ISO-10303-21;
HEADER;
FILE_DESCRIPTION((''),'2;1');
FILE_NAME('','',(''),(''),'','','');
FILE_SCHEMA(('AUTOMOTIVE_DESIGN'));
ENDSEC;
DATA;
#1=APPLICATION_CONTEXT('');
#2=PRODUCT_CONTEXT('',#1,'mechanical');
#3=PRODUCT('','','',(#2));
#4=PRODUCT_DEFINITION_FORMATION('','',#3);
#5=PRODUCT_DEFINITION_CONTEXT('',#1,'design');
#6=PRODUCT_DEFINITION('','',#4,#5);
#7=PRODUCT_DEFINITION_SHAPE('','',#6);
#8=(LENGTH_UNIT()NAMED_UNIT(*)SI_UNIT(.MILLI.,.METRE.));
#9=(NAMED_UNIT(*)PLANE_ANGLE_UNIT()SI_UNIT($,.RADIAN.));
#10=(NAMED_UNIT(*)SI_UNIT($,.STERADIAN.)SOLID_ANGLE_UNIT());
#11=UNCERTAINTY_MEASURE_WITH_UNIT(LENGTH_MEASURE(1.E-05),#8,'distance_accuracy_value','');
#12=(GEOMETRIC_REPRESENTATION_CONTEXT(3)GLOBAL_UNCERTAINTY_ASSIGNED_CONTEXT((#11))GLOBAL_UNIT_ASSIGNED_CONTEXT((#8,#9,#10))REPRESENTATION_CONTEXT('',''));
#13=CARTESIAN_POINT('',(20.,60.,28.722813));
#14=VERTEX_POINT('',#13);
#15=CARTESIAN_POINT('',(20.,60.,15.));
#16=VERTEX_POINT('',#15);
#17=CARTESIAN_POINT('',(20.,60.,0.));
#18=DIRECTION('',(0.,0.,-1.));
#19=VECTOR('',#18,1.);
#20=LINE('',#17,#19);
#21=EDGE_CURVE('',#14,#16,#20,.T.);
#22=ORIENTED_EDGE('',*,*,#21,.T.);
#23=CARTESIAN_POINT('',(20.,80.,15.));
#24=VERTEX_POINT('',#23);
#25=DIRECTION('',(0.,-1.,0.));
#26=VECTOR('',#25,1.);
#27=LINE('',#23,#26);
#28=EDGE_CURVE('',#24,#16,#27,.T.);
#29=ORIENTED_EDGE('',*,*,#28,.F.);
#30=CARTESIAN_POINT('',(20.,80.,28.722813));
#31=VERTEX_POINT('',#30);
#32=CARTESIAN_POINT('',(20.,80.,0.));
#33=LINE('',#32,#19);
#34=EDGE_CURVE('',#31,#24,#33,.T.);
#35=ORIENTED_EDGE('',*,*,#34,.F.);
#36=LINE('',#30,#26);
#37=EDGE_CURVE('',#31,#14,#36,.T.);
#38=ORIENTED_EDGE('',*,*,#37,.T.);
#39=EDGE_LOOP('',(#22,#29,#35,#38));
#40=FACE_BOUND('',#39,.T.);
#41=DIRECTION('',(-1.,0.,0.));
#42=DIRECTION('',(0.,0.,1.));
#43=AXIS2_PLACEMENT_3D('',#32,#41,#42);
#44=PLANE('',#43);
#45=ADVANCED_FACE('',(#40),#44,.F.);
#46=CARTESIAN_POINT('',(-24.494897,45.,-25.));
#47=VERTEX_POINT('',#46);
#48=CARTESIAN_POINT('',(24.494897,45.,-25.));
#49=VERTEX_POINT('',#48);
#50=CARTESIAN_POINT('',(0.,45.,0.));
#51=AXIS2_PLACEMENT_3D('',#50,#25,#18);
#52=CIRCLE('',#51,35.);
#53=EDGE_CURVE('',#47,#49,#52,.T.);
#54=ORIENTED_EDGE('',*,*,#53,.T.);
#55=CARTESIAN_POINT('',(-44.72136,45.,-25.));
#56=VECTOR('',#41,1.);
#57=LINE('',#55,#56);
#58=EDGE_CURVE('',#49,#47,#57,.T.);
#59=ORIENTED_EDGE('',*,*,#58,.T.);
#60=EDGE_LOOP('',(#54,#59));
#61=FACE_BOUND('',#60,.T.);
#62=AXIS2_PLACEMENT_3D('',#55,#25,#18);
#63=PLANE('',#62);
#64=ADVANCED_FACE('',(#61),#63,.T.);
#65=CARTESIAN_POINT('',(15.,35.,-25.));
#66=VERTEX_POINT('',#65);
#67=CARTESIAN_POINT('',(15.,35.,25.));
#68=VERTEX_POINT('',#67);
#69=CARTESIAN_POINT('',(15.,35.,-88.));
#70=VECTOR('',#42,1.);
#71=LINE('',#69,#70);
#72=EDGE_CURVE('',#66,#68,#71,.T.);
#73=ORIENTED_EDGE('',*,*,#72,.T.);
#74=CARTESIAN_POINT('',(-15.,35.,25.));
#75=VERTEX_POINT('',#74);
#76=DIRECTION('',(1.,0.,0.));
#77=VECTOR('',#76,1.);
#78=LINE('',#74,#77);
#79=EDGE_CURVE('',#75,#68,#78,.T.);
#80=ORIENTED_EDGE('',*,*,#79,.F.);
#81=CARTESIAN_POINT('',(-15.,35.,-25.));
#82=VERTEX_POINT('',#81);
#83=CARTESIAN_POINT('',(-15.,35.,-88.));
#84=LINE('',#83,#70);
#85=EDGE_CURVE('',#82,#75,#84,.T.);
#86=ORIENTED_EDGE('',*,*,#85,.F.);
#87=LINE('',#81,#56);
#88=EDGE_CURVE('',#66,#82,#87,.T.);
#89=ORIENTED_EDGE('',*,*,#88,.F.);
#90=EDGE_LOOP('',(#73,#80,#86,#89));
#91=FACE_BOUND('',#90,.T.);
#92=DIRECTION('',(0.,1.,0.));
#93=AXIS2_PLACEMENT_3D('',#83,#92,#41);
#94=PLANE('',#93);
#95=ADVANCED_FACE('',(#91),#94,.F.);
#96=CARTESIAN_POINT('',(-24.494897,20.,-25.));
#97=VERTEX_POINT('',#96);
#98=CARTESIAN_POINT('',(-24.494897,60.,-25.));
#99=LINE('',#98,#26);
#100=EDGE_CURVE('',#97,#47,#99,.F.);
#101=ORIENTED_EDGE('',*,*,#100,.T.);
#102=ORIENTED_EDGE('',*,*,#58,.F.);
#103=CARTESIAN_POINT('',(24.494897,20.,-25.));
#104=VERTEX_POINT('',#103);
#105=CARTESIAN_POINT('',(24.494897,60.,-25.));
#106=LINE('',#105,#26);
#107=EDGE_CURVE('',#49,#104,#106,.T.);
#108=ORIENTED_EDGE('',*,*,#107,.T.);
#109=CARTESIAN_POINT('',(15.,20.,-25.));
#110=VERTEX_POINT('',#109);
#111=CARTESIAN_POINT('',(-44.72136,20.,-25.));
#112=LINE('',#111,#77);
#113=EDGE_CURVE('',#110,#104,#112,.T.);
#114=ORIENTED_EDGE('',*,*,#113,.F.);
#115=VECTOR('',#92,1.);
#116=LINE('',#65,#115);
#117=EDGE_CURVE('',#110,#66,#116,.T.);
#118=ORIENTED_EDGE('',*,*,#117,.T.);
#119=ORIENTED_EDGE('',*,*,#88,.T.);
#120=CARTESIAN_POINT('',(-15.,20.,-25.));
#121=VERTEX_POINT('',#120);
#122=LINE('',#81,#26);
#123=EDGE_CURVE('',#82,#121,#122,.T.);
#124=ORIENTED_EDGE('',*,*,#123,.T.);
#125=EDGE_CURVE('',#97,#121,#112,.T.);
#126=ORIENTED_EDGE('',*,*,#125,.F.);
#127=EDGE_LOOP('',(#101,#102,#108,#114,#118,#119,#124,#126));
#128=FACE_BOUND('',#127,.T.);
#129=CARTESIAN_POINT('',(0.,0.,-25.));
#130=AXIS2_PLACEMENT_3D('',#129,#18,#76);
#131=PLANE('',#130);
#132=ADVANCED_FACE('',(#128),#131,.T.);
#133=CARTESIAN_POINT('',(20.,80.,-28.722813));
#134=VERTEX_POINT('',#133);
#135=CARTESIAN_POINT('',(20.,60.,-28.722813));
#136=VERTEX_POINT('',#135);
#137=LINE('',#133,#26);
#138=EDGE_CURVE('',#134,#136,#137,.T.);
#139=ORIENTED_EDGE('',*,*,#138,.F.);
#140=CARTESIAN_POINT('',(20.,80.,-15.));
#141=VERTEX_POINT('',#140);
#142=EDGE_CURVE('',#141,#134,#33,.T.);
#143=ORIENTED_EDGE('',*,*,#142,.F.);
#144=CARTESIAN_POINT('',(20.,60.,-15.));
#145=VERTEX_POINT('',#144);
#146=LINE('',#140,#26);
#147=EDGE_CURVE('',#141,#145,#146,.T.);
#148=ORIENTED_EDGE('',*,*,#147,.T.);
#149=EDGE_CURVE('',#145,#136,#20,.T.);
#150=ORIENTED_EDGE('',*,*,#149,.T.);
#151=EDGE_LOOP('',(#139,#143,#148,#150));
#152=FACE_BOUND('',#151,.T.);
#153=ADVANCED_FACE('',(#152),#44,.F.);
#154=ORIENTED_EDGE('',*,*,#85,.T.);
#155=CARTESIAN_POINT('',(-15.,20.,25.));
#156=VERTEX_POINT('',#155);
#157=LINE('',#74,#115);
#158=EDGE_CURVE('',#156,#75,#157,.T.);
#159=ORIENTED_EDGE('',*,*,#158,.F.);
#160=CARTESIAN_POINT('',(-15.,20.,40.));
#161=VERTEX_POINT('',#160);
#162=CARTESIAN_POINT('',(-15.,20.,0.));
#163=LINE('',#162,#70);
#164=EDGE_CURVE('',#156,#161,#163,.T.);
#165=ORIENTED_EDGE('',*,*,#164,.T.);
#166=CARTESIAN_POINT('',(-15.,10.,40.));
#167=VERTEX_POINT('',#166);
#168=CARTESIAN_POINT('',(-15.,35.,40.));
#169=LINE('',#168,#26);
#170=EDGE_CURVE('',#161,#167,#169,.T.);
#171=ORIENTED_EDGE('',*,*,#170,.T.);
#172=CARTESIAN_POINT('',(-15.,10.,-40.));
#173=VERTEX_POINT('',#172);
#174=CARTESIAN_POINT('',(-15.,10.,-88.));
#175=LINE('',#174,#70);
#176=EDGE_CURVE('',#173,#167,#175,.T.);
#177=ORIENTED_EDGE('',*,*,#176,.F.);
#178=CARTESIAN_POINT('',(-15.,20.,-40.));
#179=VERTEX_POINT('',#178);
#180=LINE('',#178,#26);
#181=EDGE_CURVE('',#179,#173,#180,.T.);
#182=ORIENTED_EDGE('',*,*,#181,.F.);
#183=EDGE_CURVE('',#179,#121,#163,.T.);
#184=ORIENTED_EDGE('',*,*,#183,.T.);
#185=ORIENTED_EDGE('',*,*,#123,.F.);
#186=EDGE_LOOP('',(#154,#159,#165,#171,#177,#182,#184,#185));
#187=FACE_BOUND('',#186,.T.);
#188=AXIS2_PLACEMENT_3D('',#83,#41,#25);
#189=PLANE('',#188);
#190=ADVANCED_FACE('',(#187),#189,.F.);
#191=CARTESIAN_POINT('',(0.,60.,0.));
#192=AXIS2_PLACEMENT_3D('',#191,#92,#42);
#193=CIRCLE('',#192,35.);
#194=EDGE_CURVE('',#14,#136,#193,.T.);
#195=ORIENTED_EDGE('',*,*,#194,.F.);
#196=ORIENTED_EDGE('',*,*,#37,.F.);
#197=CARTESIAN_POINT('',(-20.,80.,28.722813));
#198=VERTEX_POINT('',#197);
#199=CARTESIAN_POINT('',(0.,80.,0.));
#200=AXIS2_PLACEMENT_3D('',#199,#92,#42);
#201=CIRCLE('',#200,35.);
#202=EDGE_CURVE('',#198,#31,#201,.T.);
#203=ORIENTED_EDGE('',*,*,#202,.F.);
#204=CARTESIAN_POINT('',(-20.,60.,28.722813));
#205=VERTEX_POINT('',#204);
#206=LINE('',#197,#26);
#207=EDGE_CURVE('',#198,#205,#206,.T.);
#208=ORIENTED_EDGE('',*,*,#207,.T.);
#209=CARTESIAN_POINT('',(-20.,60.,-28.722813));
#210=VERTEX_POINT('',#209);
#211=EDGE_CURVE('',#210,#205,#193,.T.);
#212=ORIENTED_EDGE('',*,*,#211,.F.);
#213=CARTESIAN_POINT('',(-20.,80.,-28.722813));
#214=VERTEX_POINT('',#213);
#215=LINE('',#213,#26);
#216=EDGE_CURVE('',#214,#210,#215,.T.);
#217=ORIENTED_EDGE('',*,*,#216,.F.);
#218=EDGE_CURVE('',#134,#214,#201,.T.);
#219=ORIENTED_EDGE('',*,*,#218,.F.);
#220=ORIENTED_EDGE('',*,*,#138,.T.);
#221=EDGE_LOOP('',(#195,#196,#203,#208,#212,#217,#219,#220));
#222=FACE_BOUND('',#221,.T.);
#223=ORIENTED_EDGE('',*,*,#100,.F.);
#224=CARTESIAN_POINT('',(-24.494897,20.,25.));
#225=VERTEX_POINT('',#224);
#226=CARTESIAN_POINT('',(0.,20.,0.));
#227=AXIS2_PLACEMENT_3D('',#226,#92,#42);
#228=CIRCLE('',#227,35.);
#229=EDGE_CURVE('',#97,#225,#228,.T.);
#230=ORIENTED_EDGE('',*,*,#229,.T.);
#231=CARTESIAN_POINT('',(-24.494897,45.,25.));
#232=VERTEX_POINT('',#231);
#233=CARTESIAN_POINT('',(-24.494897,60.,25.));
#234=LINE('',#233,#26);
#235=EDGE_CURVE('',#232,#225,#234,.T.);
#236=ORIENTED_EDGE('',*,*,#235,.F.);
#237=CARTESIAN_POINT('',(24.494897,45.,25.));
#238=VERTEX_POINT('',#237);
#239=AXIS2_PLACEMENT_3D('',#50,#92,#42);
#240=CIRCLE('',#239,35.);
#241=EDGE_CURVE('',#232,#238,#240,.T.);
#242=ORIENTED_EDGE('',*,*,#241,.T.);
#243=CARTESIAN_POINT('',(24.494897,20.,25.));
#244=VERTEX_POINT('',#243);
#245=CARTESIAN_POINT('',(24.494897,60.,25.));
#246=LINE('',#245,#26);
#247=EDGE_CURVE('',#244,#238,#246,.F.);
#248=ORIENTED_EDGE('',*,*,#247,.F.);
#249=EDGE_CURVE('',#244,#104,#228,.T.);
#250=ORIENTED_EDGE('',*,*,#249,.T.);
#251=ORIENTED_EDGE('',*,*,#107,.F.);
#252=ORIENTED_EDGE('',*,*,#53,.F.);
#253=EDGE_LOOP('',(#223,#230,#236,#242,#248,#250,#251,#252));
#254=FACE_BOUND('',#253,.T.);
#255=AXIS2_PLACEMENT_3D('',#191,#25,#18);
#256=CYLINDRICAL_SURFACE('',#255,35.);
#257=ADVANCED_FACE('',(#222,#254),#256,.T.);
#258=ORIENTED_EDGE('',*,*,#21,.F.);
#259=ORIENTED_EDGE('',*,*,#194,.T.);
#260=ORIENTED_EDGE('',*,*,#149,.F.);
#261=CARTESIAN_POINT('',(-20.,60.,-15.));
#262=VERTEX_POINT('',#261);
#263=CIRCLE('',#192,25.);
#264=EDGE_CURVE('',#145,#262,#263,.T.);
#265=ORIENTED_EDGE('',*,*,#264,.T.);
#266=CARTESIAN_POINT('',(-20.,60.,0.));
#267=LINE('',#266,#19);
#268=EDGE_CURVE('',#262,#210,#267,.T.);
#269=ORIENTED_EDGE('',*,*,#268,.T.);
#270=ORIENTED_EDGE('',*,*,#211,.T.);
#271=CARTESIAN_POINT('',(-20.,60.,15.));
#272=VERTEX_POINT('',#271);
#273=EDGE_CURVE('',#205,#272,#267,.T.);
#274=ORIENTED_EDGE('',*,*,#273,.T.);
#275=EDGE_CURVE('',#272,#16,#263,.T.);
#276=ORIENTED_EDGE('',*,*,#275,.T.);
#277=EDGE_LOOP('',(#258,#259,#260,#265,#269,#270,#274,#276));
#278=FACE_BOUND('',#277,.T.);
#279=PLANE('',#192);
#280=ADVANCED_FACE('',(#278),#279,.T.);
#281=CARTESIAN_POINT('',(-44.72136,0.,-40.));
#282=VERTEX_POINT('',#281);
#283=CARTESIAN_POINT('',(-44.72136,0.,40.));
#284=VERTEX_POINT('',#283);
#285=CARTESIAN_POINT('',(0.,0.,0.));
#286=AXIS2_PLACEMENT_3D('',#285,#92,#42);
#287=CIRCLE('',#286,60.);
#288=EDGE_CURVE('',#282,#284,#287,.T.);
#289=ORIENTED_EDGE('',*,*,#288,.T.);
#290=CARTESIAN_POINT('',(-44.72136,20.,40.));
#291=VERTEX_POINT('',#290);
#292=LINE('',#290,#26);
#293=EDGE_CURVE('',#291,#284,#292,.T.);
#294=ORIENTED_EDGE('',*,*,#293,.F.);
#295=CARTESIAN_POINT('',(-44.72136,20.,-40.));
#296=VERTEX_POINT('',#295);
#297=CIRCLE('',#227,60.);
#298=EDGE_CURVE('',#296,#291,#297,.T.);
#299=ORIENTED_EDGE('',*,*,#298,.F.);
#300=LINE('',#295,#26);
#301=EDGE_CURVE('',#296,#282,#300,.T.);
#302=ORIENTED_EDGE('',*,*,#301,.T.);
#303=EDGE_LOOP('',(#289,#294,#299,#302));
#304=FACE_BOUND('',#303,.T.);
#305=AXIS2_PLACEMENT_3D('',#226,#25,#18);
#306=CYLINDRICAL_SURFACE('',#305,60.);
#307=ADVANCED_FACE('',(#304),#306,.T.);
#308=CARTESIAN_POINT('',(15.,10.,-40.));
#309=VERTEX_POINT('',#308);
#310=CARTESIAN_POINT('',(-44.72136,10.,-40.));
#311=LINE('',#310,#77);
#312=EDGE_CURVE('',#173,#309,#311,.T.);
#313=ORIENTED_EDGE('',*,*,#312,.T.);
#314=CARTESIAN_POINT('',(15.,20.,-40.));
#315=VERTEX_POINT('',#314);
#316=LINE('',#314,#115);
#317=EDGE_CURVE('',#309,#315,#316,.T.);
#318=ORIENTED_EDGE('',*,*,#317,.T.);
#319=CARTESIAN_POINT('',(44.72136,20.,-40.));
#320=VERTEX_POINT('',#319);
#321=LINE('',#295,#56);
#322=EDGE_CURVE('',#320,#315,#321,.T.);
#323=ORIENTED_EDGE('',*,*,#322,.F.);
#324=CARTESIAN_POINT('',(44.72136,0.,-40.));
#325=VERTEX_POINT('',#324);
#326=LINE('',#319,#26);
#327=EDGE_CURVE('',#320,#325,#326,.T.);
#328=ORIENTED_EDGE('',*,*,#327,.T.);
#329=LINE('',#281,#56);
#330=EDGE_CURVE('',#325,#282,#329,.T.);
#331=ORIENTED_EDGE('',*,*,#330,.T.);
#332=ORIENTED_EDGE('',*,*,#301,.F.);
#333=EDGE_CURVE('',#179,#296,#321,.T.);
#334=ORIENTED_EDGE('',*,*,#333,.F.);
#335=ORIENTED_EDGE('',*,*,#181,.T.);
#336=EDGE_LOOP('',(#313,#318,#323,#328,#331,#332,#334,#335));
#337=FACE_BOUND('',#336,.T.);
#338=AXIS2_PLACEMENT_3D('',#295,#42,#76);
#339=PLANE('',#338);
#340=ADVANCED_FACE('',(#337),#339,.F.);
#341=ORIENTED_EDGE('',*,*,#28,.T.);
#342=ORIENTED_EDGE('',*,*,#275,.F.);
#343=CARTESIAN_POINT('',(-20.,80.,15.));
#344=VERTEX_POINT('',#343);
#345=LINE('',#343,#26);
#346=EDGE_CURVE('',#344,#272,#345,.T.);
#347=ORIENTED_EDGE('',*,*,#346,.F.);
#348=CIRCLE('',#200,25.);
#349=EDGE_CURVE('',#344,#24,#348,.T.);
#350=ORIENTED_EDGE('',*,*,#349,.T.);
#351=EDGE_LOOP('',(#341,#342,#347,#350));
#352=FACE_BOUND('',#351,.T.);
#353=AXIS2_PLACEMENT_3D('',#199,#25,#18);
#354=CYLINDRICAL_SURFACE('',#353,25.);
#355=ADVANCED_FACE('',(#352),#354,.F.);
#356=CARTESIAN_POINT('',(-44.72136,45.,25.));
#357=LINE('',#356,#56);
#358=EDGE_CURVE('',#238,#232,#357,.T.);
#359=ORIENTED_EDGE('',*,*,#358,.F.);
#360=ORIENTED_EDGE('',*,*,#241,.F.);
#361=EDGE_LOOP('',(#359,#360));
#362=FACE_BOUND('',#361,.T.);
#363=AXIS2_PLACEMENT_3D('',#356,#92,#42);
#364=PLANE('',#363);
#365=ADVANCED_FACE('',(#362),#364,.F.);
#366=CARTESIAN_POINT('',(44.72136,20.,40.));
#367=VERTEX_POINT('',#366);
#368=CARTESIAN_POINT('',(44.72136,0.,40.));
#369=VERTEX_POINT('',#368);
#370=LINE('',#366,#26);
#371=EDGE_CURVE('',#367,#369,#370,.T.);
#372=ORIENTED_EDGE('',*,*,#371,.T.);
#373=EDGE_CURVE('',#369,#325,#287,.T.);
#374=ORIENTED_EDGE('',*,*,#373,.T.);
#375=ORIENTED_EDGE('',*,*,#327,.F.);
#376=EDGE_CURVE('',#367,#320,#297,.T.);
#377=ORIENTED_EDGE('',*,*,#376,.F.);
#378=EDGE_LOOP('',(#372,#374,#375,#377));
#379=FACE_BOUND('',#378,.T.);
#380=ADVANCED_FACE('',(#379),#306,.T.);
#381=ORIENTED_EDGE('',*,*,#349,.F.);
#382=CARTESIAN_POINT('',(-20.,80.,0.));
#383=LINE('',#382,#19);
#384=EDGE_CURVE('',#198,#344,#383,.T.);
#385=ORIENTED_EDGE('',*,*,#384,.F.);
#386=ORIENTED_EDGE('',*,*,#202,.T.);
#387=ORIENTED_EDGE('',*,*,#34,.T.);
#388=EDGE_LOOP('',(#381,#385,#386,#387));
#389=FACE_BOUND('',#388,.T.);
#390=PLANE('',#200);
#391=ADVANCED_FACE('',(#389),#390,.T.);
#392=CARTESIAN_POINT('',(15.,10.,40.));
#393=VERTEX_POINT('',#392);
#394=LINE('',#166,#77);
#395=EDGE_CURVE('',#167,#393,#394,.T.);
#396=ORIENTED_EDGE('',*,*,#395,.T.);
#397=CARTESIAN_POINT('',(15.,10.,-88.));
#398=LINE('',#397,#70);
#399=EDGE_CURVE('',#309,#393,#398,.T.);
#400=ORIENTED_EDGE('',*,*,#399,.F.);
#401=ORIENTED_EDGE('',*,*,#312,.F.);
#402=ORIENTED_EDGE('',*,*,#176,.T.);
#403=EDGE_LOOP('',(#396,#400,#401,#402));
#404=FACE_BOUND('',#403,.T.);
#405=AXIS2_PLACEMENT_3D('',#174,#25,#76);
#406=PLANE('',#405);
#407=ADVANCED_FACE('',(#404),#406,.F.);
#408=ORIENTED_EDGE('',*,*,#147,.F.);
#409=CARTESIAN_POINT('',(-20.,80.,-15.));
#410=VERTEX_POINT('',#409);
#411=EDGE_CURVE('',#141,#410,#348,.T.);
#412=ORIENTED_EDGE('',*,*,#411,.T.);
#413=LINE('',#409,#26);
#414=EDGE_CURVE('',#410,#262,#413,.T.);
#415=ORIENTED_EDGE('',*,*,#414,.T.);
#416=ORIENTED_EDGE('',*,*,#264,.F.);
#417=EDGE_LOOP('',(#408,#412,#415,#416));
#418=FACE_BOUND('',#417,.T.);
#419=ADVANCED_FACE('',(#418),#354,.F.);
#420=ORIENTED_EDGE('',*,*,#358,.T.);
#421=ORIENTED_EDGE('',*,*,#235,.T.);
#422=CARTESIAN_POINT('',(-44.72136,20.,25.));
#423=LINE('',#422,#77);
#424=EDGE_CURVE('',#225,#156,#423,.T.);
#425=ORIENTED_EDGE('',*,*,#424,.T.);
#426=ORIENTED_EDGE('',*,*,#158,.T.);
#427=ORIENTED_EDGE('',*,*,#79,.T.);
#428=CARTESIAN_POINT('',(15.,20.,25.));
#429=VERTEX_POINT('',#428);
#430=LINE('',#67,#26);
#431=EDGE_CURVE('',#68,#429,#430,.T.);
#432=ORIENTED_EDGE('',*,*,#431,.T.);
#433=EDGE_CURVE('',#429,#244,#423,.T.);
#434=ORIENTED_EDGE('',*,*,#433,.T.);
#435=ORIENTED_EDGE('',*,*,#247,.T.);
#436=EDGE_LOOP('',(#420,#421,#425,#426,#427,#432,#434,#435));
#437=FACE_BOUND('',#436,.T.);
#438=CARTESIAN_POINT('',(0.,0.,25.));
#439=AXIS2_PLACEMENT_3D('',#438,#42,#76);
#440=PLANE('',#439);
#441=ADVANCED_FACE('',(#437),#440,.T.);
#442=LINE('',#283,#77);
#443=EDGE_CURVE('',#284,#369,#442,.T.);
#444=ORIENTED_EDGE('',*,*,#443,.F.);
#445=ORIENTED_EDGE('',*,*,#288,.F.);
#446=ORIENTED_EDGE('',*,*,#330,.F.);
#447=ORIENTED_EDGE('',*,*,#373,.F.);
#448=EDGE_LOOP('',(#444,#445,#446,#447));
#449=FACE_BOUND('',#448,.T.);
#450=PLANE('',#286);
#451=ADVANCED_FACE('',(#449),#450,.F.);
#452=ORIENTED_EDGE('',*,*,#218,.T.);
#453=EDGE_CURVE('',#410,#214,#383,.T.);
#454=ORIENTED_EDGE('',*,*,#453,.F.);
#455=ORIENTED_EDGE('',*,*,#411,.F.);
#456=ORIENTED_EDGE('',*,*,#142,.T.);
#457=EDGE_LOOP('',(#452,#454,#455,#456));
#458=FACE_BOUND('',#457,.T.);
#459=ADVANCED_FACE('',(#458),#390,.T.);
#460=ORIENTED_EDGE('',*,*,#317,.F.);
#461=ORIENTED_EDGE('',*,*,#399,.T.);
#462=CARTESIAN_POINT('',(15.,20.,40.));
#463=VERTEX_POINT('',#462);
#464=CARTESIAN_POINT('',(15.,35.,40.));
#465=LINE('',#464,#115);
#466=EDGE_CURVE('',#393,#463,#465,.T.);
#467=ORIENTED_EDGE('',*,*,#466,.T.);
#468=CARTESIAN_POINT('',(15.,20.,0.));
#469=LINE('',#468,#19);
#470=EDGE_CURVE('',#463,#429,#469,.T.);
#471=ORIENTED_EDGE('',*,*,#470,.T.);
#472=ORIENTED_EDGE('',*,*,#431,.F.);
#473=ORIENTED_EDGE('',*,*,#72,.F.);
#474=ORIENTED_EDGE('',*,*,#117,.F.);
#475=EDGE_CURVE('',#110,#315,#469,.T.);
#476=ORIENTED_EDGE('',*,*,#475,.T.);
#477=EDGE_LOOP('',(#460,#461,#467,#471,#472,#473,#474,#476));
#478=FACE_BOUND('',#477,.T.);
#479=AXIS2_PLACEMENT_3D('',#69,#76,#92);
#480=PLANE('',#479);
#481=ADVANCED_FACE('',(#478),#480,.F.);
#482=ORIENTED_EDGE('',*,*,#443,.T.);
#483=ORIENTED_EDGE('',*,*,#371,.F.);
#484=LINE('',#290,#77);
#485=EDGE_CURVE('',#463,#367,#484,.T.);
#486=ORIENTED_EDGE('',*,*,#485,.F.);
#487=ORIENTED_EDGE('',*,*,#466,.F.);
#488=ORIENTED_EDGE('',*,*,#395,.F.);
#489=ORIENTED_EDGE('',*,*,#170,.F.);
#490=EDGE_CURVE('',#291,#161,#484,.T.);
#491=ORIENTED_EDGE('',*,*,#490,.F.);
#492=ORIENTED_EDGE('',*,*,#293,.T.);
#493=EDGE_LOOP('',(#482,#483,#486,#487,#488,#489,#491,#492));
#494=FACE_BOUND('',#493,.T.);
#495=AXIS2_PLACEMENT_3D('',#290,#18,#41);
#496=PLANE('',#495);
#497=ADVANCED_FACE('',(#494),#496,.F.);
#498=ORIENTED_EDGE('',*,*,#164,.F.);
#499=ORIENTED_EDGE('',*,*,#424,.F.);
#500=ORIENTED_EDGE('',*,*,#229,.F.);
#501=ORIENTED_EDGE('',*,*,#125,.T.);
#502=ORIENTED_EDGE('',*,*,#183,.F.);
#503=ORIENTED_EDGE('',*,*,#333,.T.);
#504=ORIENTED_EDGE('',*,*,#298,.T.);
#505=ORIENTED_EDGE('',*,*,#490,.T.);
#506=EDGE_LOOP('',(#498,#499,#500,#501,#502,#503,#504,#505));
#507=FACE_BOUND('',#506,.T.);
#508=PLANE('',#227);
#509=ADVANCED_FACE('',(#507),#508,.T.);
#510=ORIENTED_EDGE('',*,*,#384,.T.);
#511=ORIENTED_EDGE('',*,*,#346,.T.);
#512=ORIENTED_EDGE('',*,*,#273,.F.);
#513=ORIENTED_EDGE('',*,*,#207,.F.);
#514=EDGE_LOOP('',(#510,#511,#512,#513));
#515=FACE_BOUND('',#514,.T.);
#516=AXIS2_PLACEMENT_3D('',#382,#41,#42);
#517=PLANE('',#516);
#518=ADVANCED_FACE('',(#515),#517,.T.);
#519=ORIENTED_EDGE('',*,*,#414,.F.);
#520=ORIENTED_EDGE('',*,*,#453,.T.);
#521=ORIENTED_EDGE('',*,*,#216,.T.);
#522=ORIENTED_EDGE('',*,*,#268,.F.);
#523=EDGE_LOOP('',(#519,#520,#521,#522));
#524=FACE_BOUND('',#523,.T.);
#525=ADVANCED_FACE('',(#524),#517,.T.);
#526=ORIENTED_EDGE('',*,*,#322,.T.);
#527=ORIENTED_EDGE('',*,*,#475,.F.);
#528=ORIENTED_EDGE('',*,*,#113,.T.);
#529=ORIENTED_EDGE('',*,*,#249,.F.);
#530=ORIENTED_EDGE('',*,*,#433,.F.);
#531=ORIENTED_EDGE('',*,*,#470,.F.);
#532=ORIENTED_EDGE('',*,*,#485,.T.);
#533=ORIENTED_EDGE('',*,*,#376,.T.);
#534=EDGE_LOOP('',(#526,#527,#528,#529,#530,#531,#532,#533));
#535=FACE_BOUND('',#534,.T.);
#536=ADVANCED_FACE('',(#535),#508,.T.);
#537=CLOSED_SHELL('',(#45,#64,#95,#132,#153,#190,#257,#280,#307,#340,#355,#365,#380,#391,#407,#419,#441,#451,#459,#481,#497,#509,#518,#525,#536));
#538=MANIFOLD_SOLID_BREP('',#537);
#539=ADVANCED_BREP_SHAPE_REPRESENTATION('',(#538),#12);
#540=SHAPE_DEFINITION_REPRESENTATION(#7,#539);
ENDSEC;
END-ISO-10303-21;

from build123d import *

# Parameters (mm, degrees)
BOSS_EXTRUDE1_DEPTH = 20
SKETCH2_R           = 35
BOSS_EXTRUDE2_DEPTH = 40
SKETCH3_W           = 30
SKETCH3_H           = 25
CUT_EXTRUDE1_DEPTH  = 128
SKETCH4_W           = 89.4427191
SKETCH4_H           = 25
CUT_EXTRUDE2_DEPTH  = 15
BOSS_EXTRUDE3_DEPTH = 20


with BuildPart() as part:
    # Sketch1 → Boss-Extrude1 (new body)
    with BuildSketch(Plane(origin=(0, 0, 0), x_dir=(1, 0, 0), z_dir=(0, 1, 0))):
        with BuildLine():
            Line((-44.72135955, -40), (44.72135955, -40))
            ThreePointArc((44.72135955, -40), (60, 0), (44.72135955, 40))
            Line((44.72135955, 40), (-44.72135955, 40))
            ThreePointArc((-44.72135955, 40), (-60, 0), (-44.72135955, -40))
        make_face()
    extrude(amount=BOSS_EXTRUDE1_DEPTH)

    # Sketch2 → Boss-Extrude2 (add)
    with BuildSketch(Plane(origin=(0, 20, 0), x_dir=(1, 0, 0), z_dir=(0, 1, 0))):
        with Locations(Location((0, 0, 0), (0, 0, 270))):
            Circle(SKETCH2_R)
    extrude(amount=BOSS_EXTRUDE2_DEPTH)

    # Sketch3 → Cut-Extrude1 (cut)
    with BuildSketch(Plane.XY.offset(40)):
        with Locations((0, 22.5)):
            Rectangle(SKETCH3_W, SKETCH3_H)
    extrude(amount=-CUT_EXTRUDE1_DEPTH, mode=Mode.SUBTRACT)

    # Sketch4 → Cut-Extrude2 (cut)
    with BuildSketch(Plane.XY.offset(40)):
        with Locations((0, 32.5)):
            Rectangle(SKETCH4_W, SKETCH4_H)
    cut_extrude2 = extrude(amount=-CUT_EXTRUDE2_DEPTH, mode=Mode.SUBTRACT)

    # Mirror1: Cut-Extrude2 across plane
    add(cut_extrude2.mirror(Plane.XY), mode=Mode.SUBTRACT)

    # Sketch6 → Boss-Extrude3 (add)
    with BuildSketch(Plane(origin=(0, 60, 0), x_dir=(1, 0, 0), z_dir=(0, 1, 0))):
        with BuildLine():
            ThreePointArc((20, 28.722813233), (0, 35), (-20, 28.722813233))
            Line((-20, 28.722813233), (-20, 15))
            ThreePointArc((-20, 15), (0, 25), (20, 15))
            Line((20, 15), (20, 28.722813233))
        make_face()
        with BuildLine():
            Line((-20, -15), (-20, -28.722813233))
            ThreePointArc((-20, -28.722813233), (0, -35), (20, -28.722813233))
            Line((20, -28.722813233), (20, -15))
            ThreePointArc((20, -15), (0, -25), (-20, -15))
        make_face()
    extrude(amount=BOSS_EXTRUDE3_DEPTH)


solid = part.part
